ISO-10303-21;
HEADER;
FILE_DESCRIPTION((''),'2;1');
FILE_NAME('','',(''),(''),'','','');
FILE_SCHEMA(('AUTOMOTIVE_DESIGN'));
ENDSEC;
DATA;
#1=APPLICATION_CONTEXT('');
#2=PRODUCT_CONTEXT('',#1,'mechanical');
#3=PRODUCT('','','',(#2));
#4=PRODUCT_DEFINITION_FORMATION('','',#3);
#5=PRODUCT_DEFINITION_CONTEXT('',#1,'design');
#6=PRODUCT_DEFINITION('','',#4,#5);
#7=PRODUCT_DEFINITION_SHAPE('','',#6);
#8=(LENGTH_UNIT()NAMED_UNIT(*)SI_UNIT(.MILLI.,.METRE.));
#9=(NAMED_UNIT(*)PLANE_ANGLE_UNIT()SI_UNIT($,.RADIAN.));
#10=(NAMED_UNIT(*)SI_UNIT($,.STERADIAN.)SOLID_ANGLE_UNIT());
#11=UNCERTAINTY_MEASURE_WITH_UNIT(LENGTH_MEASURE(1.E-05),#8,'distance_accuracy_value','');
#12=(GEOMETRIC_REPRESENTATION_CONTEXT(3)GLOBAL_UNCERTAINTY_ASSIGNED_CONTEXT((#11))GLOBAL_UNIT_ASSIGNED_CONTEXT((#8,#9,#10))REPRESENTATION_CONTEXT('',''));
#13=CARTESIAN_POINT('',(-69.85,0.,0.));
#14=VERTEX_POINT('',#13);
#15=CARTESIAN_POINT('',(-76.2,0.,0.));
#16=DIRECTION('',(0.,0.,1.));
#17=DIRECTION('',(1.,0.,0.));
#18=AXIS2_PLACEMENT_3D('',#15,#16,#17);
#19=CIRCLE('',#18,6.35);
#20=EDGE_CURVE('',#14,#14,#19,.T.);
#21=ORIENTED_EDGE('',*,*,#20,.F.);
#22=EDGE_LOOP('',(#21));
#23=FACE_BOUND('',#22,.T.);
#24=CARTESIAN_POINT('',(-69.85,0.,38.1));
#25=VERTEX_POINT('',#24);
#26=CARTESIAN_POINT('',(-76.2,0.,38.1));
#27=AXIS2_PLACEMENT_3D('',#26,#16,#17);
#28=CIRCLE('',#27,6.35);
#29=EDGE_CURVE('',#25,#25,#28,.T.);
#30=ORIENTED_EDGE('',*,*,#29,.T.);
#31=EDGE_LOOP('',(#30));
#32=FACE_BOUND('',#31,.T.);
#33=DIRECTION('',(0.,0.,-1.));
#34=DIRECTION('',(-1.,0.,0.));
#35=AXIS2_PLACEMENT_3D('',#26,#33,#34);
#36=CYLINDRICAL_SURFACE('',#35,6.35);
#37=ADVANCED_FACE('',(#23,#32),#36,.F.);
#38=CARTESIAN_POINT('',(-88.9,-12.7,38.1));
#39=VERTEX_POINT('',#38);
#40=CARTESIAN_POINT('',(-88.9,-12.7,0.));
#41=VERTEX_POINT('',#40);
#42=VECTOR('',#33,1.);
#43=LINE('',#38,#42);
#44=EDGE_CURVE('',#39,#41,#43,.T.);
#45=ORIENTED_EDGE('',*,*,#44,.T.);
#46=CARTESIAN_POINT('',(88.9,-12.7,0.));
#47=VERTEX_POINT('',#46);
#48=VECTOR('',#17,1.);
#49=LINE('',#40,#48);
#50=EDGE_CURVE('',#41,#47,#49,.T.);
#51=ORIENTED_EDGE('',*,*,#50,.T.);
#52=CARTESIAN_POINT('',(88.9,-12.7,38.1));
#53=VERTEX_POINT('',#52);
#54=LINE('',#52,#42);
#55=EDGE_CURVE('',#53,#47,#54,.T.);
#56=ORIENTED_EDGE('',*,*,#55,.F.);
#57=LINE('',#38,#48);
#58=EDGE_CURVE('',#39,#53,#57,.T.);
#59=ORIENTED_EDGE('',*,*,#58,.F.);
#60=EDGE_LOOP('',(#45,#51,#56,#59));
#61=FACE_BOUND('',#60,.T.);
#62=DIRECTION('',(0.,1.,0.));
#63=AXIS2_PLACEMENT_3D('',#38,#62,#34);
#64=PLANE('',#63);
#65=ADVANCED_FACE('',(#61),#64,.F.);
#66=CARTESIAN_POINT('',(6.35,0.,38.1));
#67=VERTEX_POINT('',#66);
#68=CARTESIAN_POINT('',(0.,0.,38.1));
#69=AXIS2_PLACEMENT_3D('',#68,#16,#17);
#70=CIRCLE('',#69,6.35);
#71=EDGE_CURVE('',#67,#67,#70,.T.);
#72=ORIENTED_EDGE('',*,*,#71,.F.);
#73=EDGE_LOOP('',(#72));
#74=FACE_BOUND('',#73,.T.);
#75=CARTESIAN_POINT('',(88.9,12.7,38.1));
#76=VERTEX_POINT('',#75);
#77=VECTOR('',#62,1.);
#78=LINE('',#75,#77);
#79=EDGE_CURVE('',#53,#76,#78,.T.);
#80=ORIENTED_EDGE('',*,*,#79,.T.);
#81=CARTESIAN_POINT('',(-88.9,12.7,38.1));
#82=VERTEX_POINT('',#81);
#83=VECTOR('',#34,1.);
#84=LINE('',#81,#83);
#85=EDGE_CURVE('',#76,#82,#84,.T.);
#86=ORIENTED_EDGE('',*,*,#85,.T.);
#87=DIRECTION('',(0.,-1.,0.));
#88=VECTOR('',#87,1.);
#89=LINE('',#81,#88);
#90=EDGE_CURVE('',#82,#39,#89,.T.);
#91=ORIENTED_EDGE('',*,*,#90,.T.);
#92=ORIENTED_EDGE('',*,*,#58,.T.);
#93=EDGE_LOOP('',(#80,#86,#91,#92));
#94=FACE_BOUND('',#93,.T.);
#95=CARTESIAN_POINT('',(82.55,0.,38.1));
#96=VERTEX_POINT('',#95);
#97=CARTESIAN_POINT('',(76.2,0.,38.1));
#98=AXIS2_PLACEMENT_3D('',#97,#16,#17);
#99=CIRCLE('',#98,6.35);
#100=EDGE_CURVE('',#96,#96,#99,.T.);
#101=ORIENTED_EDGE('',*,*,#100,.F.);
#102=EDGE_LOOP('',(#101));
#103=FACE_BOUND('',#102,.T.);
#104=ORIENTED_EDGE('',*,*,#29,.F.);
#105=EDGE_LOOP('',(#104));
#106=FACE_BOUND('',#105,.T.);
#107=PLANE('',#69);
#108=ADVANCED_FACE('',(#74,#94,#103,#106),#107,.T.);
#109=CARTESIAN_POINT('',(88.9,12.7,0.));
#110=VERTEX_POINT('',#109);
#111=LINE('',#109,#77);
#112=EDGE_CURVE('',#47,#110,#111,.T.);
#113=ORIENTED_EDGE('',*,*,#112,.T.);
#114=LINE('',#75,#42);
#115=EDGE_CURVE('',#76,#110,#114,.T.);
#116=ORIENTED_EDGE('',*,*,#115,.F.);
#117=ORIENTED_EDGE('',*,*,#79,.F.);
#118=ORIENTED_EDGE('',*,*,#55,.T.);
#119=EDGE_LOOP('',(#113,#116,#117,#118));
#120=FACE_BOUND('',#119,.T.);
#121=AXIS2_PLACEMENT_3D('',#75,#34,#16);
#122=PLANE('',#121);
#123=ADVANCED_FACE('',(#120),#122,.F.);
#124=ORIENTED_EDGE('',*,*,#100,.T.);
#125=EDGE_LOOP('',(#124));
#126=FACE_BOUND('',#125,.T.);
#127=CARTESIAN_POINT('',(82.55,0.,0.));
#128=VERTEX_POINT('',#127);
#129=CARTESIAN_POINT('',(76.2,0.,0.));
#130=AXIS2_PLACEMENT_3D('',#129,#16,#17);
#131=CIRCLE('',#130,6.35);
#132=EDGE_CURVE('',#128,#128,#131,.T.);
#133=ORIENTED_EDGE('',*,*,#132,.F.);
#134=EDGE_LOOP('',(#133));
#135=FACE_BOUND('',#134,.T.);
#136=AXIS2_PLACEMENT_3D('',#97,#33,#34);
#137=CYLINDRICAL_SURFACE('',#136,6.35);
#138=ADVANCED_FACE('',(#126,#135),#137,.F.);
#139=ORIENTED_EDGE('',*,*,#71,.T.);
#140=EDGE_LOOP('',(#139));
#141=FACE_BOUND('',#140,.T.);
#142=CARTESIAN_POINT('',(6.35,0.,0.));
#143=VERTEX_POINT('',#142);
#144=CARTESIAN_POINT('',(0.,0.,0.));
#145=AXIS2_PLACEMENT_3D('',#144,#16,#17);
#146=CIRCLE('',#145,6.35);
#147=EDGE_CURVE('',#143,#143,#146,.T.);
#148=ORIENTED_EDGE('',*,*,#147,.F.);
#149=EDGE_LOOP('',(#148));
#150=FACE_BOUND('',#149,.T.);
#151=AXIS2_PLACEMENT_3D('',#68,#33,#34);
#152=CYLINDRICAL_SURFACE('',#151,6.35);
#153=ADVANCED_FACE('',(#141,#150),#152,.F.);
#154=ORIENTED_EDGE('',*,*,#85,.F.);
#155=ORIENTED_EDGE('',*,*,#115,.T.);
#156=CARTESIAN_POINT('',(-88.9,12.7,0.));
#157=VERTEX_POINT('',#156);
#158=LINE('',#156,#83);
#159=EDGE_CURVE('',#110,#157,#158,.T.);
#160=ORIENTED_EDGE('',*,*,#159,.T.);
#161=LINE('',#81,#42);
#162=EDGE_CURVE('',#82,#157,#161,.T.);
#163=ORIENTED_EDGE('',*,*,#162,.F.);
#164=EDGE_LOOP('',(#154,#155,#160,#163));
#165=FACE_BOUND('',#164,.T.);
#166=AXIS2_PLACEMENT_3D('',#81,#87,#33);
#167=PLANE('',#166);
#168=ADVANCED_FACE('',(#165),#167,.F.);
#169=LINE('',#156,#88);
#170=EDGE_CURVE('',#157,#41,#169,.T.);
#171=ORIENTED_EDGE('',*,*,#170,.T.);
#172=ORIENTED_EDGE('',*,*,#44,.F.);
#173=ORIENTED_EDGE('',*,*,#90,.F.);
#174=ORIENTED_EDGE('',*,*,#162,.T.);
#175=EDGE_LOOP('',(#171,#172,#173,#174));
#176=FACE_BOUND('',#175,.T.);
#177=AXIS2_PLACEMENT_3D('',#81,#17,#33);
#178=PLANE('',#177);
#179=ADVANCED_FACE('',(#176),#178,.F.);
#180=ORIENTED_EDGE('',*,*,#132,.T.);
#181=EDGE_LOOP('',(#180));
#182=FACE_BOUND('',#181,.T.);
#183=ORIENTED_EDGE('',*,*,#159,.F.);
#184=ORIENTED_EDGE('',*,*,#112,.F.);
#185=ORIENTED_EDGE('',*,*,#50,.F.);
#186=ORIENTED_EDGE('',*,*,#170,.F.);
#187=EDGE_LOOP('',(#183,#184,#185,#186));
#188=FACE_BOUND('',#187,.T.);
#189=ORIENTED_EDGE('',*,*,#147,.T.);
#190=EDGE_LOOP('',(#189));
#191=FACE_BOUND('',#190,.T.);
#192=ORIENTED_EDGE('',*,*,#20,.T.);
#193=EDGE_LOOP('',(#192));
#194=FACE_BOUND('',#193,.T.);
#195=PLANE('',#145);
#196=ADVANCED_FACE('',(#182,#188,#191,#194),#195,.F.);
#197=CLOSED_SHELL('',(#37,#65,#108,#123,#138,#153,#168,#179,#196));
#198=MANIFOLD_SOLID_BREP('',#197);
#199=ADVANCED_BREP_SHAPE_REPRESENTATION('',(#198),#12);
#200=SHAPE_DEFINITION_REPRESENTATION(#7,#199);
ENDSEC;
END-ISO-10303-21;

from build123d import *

# Parameters (mm, degrees)
SKETCH1_W           = 177.8
SKETCH1_H           = 25.4
SKETCH1_R           = 6.35
BOSS_EXTRUDE1_DEPTH = 38.1


with BuildPart() as part:
    # Sketch1 → Boss-Extrude1 (new body)
    with BuildSketch(Plane.XY):
        Rectangle(SKETCH1_W, SKETCH1_H)
        with Locations((-76.2, 0)):
            Circle(SKETCH1_R, mode=Mode.SUBTRACT)
        Circle(SKETCH1_R, mode=Mode.SUBTRACT)
        with Locations((76.2, 0)):
            Circle(SKETCH1_R, mode=Mode.SUBTRACT)
    extrude(amount=BOSS_EXTRUDE1_DEPTH)


solid = part.part
